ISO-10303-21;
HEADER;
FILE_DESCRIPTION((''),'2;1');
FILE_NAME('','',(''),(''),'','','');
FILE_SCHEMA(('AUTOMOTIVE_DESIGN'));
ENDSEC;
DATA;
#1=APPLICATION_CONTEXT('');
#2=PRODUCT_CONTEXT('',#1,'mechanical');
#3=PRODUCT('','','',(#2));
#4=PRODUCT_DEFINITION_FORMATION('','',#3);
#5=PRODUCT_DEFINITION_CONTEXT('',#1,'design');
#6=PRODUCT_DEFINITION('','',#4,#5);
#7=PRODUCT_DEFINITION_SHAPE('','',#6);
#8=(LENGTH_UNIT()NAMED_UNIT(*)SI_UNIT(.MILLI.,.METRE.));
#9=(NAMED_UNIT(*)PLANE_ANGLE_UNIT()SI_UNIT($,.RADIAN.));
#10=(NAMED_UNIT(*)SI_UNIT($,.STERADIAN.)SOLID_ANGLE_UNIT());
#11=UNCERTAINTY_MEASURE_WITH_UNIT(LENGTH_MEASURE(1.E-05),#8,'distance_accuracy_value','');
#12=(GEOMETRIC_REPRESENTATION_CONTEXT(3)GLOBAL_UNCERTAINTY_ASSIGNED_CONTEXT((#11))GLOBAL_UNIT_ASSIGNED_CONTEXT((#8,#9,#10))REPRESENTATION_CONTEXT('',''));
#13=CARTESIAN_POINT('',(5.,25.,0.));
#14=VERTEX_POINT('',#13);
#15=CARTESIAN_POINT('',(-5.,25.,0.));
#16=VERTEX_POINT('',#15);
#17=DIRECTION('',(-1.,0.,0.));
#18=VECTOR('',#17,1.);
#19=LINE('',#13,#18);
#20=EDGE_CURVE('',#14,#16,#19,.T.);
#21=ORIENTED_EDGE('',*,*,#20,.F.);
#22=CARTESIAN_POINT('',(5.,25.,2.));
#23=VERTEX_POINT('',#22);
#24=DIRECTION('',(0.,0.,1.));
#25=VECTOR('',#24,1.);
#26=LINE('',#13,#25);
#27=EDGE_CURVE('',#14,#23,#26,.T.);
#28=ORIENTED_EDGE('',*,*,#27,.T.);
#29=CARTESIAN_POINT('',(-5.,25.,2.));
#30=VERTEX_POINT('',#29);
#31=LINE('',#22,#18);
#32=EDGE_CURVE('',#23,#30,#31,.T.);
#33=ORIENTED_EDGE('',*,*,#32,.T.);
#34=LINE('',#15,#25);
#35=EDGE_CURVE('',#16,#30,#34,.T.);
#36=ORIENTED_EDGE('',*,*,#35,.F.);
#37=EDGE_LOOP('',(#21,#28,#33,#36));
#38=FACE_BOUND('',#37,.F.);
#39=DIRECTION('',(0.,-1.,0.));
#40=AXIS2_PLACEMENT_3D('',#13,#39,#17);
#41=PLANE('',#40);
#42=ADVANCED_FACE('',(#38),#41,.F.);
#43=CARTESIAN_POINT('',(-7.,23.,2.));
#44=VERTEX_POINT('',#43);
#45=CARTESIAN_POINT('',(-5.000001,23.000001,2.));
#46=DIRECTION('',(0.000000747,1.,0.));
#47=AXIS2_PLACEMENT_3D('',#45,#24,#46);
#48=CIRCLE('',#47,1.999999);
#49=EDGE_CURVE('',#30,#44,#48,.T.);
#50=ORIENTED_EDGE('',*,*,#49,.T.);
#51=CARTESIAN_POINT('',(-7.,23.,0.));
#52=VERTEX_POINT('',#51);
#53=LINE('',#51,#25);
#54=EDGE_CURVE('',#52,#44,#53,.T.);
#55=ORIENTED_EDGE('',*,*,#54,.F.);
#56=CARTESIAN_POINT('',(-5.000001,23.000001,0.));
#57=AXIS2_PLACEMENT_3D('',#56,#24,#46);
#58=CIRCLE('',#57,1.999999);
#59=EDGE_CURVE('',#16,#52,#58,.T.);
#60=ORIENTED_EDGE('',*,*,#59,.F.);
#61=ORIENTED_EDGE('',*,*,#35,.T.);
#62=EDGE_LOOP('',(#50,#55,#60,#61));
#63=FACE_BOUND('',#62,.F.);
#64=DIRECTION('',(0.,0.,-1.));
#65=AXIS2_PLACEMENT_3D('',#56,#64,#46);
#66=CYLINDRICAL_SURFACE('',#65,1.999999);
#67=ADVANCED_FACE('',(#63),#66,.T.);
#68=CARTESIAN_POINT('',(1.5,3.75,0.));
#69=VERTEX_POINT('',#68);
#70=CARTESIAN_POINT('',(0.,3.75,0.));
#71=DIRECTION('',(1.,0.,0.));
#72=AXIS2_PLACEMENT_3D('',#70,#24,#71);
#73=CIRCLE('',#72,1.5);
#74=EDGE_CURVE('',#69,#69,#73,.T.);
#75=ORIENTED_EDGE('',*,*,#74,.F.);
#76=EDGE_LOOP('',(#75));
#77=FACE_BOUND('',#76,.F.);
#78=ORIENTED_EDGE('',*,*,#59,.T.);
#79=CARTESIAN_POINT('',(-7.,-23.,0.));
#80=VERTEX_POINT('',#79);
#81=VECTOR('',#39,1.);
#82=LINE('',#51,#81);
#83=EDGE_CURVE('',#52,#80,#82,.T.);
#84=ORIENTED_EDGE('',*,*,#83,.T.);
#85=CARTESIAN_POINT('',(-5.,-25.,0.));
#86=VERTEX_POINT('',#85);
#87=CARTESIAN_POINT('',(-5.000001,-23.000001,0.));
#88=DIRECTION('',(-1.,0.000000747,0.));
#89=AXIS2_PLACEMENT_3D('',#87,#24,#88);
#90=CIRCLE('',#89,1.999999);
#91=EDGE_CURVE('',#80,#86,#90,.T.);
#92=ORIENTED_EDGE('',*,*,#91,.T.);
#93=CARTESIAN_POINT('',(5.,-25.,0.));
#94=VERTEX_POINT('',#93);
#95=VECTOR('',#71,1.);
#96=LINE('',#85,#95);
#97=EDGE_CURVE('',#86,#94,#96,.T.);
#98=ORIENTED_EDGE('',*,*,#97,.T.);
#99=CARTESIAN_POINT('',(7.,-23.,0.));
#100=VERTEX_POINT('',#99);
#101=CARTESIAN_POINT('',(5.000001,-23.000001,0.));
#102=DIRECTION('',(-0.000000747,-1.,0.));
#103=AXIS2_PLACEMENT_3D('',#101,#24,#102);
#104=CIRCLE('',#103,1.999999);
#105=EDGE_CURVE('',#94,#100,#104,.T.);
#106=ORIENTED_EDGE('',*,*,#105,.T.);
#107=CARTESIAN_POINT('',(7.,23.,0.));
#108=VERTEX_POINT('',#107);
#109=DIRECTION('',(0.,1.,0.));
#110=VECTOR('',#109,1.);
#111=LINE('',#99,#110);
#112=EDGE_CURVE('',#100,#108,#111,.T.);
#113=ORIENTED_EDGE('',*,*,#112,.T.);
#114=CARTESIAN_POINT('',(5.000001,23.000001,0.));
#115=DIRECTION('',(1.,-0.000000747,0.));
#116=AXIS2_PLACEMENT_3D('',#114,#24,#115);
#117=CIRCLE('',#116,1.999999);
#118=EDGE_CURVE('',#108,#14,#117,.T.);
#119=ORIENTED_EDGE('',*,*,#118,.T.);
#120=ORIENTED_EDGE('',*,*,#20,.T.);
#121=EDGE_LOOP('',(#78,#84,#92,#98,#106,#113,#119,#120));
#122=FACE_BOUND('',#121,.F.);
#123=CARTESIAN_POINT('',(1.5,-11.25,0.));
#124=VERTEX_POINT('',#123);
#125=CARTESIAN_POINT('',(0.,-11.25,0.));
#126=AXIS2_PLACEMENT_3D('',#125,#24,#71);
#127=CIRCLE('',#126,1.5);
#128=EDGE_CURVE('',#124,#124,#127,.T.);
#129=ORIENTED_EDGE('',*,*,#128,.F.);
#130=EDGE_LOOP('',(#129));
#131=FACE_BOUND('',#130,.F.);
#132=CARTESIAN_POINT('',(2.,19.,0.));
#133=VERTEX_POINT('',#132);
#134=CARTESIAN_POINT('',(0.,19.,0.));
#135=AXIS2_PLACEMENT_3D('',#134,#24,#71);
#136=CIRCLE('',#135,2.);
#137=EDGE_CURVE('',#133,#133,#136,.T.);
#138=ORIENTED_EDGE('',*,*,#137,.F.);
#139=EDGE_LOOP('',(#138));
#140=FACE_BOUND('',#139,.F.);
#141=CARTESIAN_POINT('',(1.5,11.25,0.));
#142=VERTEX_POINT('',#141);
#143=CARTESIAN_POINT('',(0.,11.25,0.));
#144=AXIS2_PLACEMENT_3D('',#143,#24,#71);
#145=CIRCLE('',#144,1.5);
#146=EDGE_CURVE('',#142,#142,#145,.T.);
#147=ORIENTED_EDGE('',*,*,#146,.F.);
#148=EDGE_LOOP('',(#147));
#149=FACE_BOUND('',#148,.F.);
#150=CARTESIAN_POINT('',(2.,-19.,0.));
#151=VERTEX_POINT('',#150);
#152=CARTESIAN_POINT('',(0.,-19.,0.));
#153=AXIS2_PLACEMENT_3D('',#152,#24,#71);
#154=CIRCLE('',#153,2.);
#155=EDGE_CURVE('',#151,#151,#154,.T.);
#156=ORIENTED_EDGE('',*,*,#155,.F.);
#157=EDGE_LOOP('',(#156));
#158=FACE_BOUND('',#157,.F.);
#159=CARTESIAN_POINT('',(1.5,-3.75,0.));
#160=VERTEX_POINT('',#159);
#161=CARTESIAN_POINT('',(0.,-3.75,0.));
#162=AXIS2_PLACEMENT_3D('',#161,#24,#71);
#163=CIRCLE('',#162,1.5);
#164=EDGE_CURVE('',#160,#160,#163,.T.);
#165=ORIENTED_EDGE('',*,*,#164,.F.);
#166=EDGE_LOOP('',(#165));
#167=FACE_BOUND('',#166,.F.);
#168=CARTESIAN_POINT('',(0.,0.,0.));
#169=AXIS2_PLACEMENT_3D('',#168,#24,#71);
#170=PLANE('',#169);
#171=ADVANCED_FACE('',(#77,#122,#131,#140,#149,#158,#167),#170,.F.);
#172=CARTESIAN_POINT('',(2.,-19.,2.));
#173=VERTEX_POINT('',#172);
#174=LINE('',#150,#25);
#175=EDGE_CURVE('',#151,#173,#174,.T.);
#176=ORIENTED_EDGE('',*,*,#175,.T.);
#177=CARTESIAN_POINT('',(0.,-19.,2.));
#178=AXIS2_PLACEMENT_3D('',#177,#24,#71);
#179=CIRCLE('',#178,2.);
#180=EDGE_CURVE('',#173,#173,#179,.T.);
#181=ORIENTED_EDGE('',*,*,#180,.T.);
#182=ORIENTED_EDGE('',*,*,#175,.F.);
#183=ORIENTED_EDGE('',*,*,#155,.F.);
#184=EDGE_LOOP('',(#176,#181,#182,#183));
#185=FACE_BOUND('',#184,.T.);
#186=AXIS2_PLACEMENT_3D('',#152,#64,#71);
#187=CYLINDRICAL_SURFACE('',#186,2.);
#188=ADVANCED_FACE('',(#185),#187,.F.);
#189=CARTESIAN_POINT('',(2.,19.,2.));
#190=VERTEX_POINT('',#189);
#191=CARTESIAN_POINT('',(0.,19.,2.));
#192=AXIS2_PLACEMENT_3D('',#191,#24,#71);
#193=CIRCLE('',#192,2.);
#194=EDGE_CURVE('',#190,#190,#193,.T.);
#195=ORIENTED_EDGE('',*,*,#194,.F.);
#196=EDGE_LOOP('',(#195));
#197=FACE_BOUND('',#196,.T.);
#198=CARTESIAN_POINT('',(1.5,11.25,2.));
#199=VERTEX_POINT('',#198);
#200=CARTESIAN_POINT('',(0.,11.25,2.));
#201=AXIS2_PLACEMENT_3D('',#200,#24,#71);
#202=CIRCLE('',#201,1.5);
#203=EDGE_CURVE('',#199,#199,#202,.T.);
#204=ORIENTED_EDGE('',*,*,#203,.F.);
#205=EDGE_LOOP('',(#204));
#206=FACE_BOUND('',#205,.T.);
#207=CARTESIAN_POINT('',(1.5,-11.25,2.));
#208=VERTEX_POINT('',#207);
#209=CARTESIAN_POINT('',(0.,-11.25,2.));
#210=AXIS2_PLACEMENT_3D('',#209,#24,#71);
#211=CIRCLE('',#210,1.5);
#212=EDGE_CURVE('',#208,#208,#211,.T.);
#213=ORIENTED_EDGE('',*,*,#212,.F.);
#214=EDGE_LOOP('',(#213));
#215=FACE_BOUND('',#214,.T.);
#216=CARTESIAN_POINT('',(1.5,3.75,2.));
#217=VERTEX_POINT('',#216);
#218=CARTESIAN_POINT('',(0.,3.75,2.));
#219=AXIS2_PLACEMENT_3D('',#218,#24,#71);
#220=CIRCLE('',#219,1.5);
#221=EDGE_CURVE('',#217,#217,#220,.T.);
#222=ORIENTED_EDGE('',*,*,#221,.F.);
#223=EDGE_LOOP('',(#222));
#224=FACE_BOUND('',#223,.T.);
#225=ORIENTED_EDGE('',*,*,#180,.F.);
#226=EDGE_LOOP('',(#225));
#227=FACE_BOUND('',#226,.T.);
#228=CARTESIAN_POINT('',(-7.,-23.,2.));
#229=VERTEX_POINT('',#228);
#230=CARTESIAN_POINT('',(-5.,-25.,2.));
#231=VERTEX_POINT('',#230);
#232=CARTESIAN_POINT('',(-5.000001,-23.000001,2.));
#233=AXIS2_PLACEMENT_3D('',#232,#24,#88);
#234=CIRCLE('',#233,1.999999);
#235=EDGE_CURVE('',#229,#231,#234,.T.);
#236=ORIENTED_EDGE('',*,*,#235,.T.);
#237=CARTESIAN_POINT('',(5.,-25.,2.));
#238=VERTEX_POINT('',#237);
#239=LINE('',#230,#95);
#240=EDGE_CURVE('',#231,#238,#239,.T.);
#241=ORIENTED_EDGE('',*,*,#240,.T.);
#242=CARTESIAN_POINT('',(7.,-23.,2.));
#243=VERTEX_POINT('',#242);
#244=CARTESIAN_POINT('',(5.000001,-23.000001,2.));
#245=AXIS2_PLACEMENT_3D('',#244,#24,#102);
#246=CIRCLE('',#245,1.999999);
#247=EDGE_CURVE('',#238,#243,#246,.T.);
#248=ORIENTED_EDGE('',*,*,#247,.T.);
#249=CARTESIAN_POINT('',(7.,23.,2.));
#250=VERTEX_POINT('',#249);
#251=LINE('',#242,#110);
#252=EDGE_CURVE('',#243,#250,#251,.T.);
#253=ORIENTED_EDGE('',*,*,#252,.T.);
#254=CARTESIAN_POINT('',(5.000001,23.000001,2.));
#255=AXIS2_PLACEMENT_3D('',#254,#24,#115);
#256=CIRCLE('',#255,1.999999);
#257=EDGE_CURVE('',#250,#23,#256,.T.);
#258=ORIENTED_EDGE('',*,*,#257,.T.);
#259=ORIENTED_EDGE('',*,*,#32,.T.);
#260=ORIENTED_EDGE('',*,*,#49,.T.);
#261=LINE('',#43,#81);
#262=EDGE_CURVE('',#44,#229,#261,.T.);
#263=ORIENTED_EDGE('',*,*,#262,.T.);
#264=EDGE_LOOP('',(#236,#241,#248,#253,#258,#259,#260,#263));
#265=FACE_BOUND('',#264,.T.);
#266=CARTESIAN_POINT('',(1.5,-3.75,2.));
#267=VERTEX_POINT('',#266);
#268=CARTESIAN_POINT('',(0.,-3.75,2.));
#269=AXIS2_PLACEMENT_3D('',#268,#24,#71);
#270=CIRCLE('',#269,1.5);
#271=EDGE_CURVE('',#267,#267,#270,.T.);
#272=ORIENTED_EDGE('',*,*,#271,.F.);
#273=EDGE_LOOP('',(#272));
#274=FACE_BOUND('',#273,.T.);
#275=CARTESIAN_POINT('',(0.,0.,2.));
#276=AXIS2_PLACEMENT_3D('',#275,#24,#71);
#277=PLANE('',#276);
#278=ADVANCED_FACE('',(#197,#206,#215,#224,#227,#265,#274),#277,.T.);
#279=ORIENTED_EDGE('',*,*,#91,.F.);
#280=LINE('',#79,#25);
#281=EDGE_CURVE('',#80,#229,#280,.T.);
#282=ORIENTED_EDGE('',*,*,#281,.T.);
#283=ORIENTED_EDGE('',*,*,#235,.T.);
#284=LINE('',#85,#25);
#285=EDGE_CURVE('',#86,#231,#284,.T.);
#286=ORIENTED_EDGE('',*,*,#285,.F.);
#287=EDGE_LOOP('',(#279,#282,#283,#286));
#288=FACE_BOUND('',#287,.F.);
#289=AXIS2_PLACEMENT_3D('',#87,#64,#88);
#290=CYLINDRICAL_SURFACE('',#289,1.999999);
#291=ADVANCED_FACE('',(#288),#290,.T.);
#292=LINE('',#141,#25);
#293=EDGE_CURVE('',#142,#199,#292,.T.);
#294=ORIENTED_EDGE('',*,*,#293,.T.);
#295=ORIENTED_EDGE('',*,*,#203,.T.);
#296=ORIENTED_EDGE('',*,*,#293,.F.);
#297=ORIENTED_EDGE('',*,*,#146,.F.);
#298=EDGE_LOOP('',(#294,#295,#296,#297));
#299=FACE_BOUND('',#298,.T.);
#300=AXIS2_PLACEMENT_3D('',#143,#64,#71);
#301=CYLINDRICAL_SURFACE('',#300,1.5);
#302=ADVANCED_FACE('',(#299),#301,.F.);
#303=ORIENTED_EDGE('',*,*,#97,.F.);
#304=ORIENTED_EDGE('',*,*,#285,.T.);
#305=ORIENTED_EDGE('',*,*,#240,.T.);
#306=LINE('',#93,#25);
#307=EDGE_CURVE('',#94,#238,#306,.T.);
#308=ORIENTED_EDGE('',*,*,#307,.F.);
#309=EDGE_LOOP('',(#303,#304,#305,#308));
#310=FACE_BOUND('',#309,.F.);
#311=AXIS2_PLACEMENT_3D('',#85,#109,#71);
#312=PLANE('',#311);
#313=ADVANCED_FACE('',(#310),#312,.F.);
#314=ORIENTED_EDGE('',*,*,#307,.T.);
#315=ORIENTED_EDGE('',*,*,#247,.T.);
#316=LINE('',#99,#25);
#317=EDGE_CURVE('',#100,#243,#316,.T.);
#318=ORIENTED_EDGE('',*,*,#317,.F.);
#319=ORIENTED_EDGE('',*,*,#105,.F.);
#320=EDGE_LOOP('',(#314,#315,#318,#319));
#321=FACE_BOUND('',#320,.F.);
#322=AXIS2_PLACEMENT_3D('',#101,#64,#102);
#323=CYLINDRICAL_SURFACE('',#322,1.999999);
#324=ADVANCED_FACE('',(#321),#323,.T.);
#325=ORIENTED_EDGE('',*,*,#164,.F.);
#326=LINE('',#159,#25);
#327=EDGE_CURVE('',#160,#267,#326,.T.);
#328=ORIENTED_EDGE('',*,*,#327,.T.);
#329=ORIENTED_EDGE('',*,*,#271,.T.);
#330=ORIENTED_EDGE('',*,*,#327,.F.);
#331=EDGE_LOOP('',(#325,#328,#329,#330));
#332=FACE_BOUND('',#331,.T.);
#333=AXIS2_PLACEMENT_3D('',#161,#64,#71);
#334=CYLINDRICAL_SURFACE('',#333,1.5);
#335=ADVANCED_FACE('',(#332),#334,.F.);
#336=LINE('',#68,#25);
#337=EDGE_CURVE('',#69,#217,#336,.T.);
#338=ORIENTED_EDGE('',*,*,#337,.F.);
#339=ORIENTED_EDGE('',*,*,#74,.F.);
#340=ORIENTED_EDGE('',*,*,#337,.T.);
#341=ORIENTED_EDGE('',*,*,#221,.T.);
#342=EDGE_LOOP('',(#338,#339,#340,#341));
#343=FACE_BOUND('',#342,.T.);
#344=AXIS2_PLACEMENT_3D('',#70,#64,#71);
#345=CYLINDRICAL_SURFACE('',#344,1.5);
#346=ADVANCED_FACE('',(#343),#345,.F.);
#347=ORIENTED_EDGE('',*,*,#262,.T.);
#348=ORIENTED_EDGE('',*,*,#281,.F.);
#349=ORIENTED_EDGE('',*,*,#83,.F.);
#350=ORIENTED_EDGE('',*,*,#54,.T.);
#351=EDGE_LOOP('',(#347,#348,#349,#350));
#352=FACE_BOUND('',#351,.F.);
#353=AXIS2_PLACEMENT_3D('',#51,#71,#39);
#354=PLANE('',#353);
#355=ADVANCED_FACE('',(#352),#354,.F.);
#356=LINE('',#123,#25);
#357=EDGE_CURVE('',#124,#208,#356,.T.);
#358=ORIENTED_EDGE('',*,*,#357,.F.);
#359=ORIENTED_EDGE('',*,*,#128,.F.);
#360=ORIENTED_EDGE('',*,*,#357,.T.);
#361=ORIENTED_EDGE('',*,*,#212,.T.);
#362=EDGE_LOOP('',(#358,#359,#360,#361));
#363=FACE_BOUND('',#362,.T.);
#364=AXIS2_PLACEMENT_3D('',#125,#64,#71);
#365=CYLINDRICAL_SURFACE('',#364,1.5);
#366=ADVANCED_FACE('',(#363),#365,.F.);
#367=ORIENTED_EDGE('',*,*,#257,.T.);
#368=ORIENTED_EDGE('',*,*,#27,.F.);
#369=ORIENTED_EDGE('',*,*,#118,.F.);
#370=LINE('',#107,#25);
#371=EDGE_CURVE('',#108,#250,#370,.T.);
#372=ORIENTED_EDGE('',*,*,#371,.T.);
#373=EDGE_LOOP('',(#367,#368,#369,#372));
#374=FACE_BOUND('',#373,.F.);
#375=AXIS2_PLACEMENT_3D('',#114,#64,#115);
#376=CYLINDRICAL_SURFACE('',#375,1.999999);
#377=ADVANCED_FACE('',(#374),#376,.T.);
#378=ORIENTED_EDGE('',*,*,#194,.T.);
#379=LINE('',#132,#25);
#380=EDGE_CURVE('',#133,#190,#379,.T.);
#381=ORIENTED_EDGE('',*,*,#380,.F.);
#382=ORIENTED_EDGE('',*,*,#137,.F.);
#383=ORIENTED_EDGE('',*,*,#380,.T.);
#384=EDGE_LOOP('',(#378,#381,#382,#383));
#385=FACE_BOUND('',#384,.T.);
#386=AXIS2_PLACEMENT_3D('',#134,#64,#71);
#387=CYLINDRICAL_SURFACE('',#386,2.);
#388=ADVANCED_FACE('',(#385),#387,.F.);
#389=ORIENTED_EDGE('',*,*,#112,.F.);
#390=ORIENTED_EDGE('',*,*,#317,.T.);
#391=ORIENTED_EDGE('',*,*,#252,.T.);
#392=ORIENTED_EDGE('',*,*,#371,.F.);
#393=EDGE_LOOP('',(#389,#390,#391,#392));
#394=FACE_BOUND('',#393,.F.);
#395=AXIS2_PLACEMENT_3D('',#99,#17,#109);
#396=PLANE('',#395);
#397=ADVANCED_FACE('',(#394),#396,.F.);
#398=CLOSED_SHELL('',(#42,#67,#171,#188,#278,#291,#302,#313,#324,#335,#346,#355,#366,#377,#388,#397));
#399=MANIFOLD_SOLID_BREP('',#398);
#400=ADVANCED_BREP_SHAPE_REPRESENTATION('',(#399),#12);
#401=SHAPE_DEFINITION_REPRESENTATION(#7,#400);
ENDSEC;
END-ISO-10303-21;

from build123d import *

# Parameters (mm, degrees)
F0_R     = 2
F0_R_2   = 1.5
F1_DEPTH = 2


with BuildPart() as f1:
    # F0 (on Top) → F1 (new body)
    with BuildSketch(Plane.XY):
        with BuildLine():
            ThreePointArc((7, 23), (6.414214, 24.414214), (5, 25))
            Line((5, 25), (-5, 25))
            ThreePointArc((-5, 25), (-6.414214, 24.414214), (-7, 23))
            Line((-7, 23), (-7, -23))
            ThreePointArc((-7, -23), (-6.414214, -24.414214), (-5, -25))
            Line((-5, -25), (5, -25))
            ThreePointArc((5, -25), (6.414214, -24.414214), (7, -23))
            Line((7, -23), (7, 23))
        make_face()
        with Locations((0, -19)):
            Circle(F0_R, mode=Mode.SUBTRACT)
        with Locations((0, -11.25)):
            Circle(F0_R_2, mode=Mode.SUBTRACT)
        with Locations((0, -3.75)):
            Circle(F0_R_2, mode=Mode.SUBTRACT)
        with Locations((0, 3.75)):
            Circle(F0_R_2, mode=Mode.SUBTRACT)
        with Locations((0, 11.25)):
            Circle(F0_R_2, mode=Mode.SUBTRACT)
        with Locations((0, 19)):
            Circle(F0_R, mode=Mode.SUBTRACT)
    extrude(amount=F1_DEPTH)


solid = f1.part
